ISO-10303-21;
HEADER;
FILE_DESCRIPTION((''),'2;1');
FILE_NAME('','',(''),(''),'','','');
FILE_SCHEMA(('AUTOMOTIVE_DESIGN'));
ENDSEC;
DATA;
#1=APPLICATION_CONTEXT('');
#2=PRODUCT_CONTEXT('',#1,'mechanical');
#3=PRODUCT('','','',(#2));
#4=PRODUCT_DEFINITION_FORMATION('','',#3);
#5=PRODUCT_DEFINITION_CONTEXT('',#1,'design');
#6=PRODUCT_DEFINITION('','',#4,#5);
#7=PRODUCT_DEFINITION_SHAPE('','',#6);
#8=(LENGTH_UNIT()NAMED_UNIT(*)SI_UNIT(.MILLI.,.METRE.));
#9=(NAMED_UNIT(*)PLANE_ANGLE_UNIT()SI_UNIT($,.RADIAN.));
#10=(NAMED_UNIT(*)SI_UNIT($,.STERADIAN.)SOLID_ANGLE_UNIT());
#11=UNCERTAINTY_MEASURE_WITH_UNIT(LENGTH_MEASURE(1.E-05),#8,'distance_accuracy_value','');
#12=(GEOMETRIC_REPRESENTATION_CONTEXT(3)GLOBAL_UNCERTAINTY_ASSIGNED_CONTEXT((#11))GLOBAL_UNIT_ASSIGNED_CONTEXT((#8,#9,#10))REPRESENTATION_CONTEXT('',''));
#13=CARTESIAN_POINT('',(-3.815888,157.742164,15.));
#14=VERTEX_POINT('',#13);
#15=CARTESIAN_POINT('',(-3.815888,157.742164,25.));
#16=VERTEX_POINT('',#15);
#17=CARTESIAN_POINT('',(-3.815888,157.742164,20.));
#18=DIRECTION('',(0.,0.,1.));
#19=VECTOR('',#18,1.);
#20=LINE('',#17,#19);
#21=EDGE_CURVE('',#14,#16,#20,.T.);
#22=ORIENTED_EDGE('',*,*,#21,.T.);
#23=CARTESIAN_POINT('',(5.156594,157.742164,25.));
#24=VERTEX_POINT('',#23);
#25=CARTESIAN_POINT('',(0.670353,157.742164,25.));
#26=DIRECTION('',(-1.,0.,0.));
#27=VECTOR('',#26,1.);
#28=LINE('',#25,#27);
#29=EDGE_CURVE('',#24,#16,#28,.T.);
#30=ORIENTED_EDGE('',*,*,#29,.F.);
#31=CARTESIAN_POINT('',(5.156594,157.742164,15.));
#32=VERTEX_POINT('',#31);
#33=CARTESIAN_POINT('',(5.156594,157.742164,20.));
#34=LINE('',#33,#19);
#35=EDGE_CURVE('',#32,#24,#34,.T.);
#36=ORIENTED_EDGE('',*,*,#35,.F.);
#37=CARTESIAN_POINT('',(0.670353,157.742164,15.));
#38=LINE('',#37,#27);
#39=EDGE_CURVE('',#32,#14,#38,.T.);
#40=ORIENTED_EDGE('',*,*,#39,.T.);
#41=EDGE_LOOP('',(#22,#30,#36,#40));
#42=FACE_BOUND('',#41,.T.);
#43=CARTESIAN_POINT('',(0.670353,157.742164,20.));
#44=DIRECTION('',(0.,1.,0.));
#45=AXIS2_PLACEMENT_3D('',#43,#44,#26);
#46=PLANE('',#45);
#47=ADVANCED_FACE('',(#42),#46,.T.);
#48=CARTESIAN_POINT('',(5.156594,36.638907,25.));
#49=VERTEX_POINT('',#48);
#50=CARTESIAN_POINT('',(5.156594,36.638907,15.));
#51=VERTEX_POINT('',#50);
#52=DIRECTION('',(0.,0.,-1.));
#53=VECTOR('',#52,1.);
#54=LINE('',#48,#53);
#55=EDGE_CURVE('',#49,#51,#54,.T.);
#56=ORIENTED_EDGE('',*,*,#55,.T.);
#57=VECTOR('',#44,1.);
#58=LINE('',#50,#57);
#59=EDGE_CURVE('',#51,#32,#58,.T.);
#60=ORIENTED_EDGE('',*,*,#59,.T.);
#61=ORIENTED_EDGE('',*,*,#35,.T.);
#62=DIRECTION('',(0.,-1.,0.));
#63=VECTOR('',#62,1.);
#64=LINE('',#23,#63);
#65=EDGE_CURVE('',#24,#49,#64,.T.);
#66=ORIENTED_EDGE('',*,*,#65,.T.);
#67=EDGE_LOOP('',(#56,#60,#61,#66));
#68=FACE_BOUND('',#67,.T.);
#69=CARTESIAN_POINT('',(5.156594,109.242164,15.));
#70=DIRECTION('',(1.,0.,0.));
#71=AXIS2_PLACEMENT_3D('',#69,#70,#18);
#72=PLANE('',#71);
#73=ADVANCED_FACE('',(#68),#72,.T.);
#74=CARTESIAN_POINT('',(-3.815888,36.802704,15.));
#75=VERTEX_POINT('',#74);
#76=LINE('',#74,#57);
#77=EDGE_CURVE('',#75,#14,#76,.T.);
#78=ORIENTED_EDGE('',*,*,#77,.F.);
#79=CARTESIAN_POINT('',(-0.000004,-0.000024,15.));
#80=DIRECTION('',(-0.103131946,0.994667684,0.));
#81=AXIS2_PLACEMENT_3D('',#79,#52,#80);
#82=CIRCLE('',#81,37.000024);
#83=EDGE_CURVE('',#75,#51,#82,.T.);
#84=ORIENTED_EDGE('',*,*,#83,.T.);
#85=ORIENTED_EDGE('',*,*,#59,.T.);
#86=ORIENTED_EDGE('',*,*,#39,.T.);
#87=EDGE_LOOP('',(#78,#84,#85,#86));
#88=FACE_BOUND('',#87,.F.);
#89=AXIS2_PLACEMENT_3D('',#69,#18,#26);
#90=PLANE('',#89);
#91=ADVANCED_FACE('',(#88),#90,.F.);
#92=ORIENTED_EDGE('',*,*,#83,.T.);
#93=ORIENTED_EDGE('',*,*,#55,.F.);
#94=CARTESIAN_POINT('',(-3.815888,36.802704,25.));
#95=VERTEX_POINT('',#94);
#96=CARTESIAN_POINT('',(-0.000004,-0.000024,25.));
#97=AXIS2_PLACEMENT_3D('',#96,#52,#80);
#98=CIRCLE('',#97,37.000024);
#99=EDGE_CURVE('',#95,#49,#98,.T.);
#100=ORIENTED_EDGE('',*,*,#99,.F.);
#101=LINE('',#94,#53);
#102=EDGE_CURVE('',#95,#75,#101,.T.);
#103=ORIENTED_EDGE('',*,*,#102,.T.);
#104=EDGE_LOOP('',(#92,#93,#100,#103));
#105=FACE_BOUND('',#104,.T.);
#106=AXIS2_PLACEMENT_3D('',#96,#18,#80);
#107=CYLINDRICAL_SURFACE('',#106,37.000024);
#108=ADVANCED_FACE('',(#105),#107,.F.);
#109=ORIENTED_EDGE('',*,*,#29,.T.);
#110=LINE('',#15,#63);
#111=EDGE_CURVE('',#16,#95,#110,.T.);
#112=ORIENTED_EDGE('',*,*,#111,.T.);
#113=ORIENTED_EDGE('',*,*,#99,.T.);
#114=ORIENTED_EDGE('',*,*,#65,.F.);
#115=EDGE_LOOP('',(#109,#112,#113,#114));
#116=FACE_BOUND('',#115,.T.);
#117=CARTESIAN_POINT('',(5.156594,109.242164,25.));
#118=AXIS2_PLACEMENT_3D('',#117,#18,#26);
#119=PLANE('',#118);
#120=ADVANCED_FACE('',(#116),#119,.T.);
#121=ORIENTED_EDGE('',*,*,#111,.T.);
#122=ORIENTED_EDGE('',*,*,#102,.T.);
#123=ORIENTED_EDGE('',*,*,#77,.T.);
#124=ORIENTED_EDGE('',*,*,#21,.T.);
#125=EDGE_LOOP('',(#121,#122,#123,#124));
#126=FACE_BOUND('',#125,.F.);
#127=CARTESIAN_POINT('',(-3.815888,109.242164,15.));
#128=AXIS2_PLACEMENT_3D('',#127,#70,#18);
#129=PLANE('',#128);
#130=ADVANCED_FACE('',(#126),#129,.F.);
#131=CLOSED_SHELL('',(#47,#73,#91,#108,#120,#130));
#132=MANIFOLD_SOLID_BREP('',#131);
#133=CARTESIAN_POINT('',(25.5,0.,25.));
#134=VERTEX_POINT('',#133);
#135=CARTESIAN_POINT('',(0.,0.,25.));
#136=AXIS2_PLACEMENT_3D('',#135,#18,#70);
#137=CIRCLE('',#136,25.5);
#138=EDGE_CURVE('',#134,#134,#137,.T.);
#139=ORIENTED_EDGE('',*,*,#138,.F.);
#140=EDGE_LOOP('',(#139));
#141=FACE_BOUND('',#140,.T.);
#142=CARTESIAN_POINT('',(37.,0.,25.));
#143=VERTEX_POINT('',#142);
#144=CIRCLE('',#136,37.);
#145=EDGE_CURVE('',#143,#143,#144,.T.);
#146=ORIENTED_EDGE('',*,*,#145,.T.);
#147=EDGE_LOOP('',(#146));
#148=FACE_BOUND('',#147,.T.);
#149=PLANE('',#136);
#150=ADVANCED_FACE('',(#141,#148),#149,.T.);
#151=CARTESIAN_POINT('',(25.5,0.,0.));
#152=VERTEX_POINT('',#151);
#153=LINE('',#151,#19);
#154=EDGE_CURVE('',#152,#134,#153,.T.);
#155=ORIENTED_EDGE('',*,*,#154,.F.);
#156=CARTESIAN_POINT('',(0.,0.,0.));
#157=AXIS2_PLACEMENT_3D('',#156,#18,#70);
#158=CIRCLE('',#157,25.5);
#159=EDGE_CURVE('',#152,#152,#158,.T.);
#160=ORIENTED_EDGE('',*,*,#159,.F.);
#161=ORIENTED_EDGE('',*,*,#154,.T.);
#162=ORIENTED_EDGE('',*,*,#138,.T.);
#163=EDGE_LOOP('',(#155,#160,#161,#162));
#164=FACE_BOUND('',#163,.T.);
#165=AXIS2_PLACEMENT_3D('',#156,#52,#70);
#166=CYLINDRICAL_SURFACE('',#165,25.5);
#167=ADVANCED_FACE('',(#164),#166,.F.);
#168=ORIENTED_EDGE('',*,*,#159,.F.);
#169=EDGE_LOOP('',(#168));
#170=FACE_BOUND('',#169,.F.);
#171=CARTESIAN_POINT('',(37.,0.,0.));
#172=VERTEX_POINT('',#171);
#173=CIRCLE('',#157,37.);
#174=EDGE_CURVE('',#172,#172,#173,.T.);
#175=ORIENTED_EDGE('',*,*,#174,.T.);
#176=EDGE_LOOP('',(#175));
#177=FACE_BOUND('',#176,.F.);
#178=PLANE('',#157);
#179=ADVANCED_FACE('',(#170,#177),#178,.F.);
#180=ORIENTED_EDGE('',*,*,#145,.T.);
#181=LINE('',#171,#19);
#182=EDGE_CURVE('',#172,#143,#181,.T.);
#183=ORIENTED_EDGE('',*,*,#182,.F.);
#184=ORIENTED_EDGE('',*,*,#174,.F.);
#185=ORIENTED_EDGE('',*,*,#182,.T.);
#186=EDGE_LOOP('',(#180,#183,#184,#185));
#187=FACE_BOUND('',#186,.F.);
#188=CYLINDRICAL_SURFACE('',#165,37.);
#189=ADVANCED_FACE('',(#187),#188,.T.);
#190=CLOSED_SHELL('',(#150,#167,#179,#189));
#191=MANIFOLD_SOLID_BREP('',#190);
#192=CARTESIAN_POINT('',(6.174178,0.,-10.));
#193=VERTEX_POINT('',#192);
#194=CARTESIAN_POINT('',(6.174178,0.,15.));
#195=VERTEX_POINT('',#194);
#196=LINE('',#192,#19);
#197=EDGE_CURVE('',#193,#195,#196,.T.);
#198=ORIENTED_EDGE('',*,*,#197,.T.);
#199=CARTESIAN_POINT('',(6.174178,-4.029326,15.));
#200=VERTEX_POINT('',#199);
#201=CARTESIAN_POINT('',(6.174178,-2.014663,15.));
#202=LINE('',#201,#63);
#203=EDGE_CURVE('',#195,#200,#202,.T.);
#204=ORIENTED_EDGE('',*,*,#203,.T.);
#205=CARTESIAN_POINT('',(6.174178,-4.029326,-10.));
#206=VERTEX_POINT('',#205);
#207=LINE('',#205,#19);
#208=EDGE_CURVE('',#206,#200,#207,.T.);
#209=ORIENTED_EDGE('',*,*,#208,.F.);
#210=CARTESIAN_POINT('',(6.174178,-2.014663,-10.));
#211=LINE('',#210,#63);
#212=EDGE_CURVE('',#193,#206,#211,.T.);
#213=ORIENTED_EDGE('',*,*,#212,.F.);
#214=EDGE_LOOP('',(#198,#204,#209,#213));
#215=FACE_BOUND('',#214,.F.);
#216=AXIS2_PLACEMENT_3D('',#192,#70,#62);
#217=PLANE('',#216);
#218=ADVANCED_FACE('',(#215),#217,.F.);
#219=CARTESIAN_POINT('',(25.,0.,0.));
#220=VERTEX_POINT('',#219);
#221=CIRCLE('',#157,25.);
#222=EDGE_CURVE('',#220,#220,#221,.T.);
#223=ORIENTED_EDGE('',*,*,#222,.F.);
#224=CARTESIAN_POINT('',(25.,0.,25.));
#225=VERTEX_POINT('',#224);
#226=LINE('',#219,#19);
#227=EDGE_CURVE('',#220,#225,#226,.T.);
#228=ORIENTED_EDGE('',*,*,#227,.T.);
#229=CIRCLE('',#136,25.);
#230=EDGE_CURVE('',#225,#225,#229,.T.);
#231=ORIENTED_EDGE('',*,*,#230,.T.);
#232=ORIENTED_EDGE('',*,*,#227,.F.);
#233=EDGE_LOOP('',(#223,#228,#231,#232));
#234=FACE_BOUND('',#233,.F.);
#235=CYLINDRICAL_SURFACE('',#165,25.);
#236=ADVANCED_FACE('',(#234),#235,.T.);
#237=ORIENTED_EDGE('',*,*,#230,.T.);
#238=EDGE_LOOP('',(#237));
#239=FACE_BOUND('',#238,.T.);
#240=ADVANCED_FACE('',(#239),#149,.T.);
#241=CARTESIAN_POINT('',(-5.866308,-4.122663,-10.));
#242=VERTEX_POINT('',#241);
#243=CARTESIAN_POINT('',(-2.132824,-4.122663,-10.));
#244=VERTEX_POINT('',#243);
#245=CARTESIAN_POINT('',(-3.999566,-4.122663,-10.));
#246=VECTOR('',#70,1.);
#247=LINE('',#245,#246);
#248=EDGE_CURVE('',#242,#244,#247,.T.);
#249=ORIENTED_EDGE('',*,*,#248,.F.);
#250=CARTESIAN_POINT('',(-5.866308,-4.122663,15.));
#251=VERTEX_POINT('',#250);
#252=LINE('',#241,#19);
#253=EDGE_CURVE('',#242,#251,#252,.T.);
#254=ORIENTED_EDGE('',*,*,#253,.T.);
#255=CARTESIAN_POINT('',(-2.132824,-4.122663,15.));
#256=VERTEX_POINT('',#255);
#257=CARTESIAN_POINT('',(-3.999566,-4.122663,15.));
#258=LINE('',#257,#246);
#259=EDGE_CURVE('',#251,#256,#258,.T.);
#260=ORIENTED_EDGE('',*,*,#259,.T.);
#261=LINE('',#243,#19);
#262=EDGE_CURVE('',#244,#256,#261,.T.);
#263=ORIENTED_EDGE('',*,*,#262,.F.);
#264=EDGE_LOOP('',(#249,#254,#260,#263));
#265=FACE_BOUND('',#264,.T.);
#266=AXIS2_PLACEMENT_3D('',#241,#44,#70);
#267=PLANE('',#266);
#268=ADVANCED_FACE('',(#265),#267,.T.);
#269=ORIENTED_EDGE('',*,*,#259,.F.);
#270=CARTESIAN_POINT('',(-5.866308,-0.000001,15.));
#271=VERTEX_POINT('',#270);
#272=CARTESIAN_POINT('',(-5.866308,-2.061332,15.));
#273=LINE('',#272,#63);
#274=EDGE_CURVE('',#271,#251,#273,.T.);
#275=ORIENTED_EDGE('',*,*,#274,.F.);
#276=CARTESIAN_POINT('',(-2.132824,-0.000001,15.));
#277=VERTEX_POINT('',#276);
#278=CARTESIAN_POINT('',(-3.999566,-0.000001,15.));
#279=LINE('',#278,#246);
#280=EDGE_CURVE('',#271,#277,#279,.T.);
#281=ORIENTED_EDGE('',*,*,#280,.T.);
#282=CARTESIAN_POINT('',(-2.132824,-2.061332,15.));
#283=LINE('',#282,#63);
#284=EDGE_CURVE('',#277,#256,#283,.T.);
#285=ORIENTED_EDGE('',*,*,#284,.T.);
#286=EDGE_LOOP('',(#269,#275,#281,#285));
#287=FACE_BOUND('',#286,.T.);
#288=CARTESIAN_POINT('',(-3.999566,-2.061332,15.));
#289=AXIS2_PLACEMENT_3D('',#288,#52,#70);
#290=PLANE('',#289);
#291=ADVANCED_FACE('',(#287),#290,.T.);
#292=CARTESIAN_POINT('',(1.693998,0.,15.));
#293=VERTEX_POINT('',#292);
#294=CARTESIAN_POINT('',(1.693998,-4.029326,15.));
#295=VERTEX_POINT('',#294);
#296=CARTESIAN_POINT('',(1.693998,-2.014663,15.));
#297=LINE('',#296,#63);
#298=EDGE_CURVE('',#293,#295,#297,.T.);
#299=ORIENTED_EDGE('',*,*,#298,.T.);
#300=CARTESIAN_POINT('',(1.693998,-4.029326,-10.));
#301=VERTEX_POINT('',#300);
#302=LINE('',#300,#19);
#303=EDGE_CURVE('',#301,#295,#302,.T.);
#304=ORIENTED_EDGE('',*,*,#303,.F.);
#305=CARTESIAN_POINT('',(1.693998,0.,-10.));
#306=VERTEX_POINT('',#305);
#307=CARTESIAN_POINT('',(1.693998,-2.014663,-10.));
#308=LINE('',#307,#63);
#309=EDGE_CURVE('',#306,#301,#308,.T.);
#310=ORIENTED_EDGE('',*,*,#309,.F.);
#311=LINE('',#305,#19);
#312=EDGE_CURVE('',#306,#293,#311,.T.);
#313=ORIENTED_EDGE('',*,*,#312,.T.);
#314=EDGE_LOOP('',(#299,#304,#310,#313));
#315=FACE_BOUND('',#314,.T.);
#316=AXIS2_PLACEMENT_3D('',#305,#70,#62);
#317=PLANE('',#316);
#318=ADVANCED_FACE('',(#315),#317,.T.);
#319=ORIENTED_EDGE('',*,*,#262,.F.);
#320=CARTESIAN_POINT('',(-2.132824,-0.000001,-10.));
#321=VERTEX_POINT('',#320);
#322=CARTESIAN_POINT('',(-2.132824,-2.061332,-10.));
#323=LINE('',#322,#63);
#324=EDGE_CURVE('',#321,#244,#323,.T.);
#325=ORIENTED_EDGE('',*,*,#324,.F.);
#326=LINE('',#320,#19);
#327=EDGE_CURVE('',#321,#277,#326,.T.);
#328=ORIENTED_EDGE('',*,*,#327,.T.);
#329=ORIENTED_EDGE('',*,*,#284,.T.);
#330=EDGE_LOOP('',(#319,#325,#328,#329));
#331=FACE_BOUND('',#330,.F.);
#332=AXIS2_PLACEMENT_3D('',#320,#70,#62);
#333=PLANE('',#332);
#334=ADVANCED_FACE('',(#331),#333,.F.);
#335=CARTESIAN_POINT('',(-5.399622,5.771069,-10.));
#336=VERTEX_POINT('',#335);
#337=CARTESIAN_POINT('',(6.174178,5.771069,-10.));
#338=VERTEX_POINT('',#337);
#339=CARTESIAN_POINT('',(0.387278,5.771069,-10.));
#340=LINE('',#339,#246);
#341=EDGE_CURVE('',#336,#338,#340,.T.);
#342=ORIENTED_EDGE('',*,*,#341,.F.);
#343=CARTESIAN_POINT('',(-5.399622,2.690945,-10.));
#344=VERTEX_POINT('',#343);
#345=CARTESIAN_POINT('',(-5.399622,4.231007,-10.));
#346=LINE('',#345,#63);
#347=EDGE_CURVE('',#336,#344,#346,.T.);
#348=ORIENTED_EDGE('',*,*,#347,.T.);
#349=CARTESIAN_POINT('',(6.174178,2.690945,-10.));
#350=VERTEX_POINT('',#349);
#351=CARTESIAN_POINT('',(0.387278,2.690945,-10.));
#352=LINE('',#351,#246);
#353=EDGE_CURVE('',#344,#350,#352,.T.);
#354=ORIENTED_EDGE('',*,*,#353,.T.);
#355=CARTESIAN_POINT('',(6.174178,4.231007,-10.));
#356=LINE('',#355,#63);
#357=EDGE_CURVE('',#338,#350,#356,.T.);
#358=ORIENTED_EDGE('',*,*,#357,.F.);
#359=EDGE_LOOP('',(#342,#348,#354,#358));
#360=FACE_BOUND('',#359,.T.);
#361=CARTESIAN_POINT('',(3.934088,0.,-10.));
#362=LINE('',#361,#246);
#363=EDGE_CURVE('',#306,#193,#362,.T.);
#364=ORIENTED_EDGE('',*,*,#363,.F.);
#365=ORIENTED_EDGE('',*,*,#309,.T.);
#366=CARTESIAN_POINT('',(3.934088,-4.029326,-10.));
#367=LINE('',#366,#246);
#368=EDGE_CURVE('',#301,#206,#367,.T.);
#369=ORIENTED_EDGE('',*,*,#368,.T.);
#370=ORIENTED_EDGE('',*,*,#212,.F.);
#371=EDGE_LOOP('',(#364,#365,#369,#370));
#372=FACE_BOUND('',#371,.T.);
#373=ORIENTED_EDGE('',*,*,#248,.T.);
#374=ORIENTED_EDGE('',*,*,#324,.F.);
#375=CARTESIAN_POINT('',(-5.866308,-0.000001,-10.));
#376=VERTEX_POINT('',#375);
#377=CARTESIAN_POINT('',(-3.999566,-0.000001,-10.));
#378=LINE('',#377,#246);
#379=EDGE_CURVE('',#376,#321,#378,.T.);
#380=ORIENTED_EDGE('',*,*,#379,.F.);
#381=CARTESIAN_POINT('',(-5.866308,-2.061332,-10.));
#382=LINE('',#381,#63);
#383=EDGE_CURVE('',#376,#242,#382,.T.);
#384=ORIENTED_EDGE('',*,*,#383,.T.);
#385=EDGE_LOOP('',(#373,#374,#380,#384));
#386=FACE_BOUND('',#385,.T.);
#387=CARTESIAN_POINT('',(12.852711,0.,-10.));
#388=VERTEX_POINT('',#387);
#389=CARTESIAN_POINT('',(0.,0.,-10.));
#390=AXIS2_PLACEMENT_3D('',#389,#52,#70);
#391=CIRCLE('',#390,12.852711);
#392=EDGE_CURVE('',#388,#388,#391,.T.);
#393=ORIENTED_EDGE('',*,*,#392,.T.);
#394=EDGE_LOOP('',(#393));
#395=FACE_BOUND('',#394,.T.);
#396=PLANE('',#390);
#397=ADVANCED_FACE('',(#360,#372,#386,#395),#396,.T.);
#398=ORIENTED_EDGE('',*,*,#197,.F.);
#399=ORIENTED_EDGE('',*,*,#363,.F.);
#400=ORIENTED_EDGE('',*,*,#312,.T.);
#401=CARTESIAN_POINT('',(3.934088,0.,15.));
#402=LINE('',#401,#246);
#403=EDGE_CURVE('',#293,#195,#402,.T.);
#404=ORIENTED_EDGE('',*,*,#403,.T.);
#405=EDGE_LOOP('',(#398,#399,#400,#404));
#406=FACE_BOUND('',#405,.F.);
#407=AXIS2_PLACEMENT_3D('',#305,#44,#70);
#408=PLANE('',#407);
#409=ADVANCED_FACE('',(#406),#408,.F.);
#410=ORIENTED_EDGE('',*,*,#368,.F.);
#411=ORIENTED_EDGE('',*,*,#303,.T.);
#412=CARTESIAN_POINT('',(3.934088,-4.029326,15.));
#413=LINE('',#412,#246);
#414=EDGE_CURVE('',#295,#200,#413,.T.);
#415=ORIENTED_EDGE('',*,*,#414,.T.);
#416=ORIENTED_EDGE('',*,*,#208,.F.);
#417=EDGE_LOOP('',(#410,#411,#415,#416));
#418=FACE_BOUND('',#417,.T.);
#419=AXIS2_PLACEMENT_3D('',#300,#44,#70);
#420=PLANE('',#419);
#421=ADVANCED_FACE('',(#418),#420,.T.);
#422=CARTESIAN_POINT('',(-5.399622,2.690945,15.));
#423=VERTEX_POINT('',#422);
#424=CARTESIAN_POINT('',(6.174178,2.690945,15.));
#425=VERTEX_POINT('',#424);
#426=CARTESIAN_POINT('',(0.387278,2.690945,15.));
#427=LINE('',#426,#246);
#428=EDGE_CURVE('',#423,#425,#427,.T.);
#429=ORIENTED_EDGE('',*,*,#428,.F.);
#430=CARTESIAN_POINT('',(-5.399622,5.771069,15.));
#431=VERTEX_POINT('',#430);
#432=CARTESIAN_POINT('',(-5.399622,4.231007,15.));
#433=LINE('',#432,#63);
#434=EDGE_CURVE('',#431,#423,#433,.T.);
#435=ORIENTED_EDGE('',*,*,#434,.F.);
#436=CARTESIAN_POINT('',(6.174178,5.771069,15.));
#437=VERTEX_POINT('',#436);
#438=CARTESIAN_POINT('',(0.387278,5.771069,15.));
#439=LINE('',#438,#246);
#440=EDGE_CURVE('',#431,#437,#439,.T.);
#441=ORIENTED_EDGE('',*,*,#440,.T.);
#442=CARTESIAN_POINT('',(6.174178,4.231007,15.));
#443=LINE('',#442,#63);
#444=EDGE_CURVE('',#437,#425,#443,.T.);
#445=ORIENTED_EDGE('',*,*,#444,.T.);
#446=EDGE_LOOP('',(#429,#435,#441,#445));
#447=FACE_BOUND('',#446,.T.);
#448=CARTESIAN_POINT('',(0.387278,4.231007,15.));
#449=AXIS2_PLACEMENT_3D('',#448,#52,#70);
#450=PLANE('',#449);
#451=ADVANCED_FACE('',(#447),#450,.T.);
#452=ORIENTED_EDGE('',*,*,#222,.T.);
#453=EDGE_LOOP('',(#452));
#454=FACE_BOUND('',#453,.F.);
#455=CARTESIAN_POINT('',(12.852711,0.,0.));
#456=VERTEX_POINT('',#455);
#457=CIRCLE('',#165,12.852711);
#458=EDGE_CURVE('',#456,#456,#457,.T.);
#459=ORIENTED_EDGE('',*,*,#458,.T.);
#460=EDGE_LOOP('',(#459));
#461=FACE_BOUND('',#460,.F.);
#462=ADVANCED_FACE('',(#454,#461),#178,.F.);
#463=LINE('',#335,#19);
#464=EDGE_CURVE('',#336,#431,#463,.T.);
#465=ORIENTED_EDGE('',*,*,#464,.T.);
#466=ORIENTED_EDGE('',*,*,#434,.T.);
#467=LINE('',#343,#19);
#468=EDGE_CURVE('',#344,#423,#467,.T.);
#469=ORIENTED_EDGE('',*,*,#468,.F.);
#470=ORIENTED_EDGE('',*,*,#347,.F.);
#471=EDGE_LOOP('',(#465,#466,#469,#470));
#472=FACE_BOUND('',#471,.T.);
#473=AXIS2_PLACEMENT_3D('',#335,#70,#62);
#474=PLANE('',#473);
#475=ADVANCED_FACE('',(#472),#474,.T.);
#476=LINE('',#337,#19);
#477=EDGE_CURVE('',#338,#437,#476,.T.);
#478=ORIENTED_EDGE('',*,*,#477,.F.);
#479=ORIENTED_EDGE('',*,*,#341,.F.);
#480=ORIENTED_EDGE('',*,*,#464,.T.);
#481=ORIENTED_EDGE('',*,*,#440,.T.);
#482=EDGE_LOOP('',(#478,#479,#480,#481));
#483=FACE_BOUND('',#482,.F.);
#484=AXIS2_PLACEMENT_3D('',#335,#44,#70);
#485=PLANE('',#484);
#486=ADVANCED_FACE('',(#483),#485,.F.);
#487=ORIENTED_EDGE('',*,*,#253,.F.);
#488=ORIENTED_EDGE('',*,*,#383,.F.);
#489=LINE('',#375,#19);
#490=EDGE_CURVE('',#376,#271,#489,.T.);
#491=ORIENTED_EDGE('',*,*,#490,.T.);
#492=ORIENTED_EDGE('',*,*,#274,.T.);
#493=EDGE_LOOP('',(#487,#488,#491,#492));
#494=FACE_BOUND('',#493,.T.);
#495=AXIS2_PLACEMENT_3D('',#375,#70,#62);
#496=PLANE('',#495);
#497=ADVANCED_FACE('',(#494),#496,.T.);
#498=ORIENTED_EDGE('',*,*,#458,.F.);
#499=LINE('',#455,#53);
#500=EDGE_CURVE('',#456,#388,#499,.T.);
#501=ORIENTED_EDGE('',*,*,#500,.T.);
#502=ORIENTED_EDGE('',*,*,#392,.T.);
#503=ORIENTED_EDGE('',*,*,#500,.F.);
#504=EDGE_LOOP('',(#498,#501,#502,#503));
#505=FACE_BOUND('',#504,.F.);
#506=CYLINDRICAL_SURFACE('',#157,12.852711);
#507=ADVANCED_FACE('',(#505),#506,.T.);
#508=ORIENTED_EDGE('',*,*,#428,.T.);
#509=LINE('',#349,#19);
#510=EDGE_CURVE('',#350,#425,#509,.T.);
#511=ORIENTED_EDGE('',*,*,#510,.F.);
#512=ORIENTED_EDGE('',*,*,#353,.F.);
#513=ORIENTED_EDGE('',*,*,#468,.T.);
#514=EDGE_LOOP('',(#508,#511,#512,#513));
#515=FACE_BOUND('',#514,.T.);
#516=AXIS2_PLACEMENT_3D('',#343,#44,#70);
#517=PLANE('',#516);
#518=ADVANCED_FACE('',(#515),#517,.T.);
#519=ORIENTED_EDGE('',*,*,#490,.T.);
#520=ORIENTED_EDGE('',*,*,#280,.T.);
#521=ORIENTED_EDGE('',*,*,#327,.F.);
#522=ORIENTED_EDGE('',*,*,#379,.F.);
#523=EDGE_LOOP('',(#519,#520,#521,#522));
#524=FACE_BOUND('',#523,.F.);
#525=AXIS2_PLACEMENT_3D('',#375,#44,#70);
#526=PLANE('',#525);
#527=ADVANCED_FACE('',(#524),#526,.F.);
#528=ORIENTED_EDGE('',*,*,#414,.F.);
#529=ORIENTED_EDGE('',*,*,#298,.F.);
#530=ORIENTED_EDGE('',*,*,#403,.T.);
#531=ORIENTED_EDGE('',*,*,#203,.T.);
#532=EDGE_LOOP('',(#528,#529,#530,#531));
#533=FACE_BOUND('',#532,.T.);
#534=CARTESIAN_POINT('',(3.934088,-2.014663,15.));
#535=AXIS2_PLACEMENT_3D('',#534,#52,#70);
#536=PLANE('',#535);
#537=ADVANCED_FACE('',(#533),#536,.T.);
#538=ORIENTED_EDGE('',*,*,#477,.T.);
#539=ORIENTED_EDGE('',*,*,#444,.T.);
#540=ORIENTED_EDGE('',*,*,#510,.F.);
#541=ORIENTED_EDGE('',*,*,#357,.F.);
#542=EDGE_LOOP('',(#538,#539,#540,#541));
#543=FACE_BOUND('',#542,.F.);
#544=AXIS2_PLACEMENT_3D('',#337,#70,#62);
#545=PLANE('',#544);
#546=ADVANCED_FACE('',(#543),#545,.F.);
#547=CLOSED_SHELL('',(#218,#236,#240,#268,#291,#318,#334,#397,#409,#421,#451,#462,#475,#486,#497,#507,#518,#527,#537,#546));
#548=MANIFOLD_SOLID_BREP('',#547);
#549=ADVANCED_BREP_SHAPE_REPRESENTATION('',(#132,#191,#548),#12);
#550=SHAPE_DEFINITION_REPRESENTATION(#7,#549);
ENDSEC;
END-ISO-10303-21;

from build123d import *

# Parameters (mm, degrees)
F0_R      = 25
F1_DEPTH  = 25
F0_R_2    = 37
F0_R_3    = 25.5
F2_DEPTH  = 25
F4_DEPTH  = 10
F4_FACE_W = 8.972482
F4_FACE_H = 10
F5_DEPTH  = 48.5
F6_R      = 12.852711
F7_DEPTH  = 10
F8_W      = 3.733484
F8_H      = 4.122663
F8_W_2    = 4.48018
F8_H_2    = 4.029326
F8_W_3    = 11.5738
F8_H_3    = 3.080124
F9_DEPTH  = 25


with BuildPart() as f1:
    # F0 (on Top) → F1 (new body)
    with BuildSketch(Plane.XY):
        Circle(F0_R)
    extrude(amount=F1_DEPTH)

    # F6 (on face) → F7 (join)
    with BuildSketch(Plane(origin=(0, 0, 0), x_dir=(1, 0, 0), z_dir=(0, 0, -1))):
        Circle(F6_R)
    extrude(amount=F7_DEPTH)

    # F8 (on face) → F9 (cut)
    with BuildSketch(Plane(origin=(0, 0, -10), x_dir=(1, 0, 0), z_dir=(0, 0, -1))):
        with Locations((-3.999566, 2.061332)):
            Rectangle(F8_W, F8_H)
        with Locations((3.934088, 2.014663)):
            Rectangle(F8_W_2, F8_H_2)
        with Locations((0.387278, -4.231007)):
            Rectangle(F8_W_3, F8_H_3)
    extrude(amount=-F9_DEPTH, mode=Mode.SUBTRACT)


with BuildPart() as f2:
    # F0 (on Top) → F2 (new body)
    with BuildSketch(Plane.XY):
        Circle(F0_R_2)
        Circle(F0_R_3, mode=Mode.SUBTRACT)
    extrude(amount=F2_DEPTH)


with BuildPart() as f4:
    # F3 (on face) → F4 (new body)
    with BuildSketch(Plane.XY.offset(25)):
        with BuildLine():
            ThreePointArc((-3.815888, 36.802704), (0.675337, 36.993836), (5.156594, 36.638907))
            Line((5.156594, 36.638907), (5.156594, 109.242164))
            Line((5.156594, 109.242164), (-3.815888, 109.242164))
            Line((-3.815888, 109.242164), (-3.815888, 36.802704))
        make_face()
    extrude(amount=-F4_DEPTH)

    # F4_face (on face) → F5 (join)
    with BuildSketch(Plane(origin=(0.670353, 109.242164, 20), x_dir=(-1, 0, 0), z_dir=(0, 1, 0))):
        Rectangle(F4_FACE_W, F4_FACE_H)
    extrude(amount=F5_DEPTH)


solid = Compound([f1.part, f2.part, f4.part])
